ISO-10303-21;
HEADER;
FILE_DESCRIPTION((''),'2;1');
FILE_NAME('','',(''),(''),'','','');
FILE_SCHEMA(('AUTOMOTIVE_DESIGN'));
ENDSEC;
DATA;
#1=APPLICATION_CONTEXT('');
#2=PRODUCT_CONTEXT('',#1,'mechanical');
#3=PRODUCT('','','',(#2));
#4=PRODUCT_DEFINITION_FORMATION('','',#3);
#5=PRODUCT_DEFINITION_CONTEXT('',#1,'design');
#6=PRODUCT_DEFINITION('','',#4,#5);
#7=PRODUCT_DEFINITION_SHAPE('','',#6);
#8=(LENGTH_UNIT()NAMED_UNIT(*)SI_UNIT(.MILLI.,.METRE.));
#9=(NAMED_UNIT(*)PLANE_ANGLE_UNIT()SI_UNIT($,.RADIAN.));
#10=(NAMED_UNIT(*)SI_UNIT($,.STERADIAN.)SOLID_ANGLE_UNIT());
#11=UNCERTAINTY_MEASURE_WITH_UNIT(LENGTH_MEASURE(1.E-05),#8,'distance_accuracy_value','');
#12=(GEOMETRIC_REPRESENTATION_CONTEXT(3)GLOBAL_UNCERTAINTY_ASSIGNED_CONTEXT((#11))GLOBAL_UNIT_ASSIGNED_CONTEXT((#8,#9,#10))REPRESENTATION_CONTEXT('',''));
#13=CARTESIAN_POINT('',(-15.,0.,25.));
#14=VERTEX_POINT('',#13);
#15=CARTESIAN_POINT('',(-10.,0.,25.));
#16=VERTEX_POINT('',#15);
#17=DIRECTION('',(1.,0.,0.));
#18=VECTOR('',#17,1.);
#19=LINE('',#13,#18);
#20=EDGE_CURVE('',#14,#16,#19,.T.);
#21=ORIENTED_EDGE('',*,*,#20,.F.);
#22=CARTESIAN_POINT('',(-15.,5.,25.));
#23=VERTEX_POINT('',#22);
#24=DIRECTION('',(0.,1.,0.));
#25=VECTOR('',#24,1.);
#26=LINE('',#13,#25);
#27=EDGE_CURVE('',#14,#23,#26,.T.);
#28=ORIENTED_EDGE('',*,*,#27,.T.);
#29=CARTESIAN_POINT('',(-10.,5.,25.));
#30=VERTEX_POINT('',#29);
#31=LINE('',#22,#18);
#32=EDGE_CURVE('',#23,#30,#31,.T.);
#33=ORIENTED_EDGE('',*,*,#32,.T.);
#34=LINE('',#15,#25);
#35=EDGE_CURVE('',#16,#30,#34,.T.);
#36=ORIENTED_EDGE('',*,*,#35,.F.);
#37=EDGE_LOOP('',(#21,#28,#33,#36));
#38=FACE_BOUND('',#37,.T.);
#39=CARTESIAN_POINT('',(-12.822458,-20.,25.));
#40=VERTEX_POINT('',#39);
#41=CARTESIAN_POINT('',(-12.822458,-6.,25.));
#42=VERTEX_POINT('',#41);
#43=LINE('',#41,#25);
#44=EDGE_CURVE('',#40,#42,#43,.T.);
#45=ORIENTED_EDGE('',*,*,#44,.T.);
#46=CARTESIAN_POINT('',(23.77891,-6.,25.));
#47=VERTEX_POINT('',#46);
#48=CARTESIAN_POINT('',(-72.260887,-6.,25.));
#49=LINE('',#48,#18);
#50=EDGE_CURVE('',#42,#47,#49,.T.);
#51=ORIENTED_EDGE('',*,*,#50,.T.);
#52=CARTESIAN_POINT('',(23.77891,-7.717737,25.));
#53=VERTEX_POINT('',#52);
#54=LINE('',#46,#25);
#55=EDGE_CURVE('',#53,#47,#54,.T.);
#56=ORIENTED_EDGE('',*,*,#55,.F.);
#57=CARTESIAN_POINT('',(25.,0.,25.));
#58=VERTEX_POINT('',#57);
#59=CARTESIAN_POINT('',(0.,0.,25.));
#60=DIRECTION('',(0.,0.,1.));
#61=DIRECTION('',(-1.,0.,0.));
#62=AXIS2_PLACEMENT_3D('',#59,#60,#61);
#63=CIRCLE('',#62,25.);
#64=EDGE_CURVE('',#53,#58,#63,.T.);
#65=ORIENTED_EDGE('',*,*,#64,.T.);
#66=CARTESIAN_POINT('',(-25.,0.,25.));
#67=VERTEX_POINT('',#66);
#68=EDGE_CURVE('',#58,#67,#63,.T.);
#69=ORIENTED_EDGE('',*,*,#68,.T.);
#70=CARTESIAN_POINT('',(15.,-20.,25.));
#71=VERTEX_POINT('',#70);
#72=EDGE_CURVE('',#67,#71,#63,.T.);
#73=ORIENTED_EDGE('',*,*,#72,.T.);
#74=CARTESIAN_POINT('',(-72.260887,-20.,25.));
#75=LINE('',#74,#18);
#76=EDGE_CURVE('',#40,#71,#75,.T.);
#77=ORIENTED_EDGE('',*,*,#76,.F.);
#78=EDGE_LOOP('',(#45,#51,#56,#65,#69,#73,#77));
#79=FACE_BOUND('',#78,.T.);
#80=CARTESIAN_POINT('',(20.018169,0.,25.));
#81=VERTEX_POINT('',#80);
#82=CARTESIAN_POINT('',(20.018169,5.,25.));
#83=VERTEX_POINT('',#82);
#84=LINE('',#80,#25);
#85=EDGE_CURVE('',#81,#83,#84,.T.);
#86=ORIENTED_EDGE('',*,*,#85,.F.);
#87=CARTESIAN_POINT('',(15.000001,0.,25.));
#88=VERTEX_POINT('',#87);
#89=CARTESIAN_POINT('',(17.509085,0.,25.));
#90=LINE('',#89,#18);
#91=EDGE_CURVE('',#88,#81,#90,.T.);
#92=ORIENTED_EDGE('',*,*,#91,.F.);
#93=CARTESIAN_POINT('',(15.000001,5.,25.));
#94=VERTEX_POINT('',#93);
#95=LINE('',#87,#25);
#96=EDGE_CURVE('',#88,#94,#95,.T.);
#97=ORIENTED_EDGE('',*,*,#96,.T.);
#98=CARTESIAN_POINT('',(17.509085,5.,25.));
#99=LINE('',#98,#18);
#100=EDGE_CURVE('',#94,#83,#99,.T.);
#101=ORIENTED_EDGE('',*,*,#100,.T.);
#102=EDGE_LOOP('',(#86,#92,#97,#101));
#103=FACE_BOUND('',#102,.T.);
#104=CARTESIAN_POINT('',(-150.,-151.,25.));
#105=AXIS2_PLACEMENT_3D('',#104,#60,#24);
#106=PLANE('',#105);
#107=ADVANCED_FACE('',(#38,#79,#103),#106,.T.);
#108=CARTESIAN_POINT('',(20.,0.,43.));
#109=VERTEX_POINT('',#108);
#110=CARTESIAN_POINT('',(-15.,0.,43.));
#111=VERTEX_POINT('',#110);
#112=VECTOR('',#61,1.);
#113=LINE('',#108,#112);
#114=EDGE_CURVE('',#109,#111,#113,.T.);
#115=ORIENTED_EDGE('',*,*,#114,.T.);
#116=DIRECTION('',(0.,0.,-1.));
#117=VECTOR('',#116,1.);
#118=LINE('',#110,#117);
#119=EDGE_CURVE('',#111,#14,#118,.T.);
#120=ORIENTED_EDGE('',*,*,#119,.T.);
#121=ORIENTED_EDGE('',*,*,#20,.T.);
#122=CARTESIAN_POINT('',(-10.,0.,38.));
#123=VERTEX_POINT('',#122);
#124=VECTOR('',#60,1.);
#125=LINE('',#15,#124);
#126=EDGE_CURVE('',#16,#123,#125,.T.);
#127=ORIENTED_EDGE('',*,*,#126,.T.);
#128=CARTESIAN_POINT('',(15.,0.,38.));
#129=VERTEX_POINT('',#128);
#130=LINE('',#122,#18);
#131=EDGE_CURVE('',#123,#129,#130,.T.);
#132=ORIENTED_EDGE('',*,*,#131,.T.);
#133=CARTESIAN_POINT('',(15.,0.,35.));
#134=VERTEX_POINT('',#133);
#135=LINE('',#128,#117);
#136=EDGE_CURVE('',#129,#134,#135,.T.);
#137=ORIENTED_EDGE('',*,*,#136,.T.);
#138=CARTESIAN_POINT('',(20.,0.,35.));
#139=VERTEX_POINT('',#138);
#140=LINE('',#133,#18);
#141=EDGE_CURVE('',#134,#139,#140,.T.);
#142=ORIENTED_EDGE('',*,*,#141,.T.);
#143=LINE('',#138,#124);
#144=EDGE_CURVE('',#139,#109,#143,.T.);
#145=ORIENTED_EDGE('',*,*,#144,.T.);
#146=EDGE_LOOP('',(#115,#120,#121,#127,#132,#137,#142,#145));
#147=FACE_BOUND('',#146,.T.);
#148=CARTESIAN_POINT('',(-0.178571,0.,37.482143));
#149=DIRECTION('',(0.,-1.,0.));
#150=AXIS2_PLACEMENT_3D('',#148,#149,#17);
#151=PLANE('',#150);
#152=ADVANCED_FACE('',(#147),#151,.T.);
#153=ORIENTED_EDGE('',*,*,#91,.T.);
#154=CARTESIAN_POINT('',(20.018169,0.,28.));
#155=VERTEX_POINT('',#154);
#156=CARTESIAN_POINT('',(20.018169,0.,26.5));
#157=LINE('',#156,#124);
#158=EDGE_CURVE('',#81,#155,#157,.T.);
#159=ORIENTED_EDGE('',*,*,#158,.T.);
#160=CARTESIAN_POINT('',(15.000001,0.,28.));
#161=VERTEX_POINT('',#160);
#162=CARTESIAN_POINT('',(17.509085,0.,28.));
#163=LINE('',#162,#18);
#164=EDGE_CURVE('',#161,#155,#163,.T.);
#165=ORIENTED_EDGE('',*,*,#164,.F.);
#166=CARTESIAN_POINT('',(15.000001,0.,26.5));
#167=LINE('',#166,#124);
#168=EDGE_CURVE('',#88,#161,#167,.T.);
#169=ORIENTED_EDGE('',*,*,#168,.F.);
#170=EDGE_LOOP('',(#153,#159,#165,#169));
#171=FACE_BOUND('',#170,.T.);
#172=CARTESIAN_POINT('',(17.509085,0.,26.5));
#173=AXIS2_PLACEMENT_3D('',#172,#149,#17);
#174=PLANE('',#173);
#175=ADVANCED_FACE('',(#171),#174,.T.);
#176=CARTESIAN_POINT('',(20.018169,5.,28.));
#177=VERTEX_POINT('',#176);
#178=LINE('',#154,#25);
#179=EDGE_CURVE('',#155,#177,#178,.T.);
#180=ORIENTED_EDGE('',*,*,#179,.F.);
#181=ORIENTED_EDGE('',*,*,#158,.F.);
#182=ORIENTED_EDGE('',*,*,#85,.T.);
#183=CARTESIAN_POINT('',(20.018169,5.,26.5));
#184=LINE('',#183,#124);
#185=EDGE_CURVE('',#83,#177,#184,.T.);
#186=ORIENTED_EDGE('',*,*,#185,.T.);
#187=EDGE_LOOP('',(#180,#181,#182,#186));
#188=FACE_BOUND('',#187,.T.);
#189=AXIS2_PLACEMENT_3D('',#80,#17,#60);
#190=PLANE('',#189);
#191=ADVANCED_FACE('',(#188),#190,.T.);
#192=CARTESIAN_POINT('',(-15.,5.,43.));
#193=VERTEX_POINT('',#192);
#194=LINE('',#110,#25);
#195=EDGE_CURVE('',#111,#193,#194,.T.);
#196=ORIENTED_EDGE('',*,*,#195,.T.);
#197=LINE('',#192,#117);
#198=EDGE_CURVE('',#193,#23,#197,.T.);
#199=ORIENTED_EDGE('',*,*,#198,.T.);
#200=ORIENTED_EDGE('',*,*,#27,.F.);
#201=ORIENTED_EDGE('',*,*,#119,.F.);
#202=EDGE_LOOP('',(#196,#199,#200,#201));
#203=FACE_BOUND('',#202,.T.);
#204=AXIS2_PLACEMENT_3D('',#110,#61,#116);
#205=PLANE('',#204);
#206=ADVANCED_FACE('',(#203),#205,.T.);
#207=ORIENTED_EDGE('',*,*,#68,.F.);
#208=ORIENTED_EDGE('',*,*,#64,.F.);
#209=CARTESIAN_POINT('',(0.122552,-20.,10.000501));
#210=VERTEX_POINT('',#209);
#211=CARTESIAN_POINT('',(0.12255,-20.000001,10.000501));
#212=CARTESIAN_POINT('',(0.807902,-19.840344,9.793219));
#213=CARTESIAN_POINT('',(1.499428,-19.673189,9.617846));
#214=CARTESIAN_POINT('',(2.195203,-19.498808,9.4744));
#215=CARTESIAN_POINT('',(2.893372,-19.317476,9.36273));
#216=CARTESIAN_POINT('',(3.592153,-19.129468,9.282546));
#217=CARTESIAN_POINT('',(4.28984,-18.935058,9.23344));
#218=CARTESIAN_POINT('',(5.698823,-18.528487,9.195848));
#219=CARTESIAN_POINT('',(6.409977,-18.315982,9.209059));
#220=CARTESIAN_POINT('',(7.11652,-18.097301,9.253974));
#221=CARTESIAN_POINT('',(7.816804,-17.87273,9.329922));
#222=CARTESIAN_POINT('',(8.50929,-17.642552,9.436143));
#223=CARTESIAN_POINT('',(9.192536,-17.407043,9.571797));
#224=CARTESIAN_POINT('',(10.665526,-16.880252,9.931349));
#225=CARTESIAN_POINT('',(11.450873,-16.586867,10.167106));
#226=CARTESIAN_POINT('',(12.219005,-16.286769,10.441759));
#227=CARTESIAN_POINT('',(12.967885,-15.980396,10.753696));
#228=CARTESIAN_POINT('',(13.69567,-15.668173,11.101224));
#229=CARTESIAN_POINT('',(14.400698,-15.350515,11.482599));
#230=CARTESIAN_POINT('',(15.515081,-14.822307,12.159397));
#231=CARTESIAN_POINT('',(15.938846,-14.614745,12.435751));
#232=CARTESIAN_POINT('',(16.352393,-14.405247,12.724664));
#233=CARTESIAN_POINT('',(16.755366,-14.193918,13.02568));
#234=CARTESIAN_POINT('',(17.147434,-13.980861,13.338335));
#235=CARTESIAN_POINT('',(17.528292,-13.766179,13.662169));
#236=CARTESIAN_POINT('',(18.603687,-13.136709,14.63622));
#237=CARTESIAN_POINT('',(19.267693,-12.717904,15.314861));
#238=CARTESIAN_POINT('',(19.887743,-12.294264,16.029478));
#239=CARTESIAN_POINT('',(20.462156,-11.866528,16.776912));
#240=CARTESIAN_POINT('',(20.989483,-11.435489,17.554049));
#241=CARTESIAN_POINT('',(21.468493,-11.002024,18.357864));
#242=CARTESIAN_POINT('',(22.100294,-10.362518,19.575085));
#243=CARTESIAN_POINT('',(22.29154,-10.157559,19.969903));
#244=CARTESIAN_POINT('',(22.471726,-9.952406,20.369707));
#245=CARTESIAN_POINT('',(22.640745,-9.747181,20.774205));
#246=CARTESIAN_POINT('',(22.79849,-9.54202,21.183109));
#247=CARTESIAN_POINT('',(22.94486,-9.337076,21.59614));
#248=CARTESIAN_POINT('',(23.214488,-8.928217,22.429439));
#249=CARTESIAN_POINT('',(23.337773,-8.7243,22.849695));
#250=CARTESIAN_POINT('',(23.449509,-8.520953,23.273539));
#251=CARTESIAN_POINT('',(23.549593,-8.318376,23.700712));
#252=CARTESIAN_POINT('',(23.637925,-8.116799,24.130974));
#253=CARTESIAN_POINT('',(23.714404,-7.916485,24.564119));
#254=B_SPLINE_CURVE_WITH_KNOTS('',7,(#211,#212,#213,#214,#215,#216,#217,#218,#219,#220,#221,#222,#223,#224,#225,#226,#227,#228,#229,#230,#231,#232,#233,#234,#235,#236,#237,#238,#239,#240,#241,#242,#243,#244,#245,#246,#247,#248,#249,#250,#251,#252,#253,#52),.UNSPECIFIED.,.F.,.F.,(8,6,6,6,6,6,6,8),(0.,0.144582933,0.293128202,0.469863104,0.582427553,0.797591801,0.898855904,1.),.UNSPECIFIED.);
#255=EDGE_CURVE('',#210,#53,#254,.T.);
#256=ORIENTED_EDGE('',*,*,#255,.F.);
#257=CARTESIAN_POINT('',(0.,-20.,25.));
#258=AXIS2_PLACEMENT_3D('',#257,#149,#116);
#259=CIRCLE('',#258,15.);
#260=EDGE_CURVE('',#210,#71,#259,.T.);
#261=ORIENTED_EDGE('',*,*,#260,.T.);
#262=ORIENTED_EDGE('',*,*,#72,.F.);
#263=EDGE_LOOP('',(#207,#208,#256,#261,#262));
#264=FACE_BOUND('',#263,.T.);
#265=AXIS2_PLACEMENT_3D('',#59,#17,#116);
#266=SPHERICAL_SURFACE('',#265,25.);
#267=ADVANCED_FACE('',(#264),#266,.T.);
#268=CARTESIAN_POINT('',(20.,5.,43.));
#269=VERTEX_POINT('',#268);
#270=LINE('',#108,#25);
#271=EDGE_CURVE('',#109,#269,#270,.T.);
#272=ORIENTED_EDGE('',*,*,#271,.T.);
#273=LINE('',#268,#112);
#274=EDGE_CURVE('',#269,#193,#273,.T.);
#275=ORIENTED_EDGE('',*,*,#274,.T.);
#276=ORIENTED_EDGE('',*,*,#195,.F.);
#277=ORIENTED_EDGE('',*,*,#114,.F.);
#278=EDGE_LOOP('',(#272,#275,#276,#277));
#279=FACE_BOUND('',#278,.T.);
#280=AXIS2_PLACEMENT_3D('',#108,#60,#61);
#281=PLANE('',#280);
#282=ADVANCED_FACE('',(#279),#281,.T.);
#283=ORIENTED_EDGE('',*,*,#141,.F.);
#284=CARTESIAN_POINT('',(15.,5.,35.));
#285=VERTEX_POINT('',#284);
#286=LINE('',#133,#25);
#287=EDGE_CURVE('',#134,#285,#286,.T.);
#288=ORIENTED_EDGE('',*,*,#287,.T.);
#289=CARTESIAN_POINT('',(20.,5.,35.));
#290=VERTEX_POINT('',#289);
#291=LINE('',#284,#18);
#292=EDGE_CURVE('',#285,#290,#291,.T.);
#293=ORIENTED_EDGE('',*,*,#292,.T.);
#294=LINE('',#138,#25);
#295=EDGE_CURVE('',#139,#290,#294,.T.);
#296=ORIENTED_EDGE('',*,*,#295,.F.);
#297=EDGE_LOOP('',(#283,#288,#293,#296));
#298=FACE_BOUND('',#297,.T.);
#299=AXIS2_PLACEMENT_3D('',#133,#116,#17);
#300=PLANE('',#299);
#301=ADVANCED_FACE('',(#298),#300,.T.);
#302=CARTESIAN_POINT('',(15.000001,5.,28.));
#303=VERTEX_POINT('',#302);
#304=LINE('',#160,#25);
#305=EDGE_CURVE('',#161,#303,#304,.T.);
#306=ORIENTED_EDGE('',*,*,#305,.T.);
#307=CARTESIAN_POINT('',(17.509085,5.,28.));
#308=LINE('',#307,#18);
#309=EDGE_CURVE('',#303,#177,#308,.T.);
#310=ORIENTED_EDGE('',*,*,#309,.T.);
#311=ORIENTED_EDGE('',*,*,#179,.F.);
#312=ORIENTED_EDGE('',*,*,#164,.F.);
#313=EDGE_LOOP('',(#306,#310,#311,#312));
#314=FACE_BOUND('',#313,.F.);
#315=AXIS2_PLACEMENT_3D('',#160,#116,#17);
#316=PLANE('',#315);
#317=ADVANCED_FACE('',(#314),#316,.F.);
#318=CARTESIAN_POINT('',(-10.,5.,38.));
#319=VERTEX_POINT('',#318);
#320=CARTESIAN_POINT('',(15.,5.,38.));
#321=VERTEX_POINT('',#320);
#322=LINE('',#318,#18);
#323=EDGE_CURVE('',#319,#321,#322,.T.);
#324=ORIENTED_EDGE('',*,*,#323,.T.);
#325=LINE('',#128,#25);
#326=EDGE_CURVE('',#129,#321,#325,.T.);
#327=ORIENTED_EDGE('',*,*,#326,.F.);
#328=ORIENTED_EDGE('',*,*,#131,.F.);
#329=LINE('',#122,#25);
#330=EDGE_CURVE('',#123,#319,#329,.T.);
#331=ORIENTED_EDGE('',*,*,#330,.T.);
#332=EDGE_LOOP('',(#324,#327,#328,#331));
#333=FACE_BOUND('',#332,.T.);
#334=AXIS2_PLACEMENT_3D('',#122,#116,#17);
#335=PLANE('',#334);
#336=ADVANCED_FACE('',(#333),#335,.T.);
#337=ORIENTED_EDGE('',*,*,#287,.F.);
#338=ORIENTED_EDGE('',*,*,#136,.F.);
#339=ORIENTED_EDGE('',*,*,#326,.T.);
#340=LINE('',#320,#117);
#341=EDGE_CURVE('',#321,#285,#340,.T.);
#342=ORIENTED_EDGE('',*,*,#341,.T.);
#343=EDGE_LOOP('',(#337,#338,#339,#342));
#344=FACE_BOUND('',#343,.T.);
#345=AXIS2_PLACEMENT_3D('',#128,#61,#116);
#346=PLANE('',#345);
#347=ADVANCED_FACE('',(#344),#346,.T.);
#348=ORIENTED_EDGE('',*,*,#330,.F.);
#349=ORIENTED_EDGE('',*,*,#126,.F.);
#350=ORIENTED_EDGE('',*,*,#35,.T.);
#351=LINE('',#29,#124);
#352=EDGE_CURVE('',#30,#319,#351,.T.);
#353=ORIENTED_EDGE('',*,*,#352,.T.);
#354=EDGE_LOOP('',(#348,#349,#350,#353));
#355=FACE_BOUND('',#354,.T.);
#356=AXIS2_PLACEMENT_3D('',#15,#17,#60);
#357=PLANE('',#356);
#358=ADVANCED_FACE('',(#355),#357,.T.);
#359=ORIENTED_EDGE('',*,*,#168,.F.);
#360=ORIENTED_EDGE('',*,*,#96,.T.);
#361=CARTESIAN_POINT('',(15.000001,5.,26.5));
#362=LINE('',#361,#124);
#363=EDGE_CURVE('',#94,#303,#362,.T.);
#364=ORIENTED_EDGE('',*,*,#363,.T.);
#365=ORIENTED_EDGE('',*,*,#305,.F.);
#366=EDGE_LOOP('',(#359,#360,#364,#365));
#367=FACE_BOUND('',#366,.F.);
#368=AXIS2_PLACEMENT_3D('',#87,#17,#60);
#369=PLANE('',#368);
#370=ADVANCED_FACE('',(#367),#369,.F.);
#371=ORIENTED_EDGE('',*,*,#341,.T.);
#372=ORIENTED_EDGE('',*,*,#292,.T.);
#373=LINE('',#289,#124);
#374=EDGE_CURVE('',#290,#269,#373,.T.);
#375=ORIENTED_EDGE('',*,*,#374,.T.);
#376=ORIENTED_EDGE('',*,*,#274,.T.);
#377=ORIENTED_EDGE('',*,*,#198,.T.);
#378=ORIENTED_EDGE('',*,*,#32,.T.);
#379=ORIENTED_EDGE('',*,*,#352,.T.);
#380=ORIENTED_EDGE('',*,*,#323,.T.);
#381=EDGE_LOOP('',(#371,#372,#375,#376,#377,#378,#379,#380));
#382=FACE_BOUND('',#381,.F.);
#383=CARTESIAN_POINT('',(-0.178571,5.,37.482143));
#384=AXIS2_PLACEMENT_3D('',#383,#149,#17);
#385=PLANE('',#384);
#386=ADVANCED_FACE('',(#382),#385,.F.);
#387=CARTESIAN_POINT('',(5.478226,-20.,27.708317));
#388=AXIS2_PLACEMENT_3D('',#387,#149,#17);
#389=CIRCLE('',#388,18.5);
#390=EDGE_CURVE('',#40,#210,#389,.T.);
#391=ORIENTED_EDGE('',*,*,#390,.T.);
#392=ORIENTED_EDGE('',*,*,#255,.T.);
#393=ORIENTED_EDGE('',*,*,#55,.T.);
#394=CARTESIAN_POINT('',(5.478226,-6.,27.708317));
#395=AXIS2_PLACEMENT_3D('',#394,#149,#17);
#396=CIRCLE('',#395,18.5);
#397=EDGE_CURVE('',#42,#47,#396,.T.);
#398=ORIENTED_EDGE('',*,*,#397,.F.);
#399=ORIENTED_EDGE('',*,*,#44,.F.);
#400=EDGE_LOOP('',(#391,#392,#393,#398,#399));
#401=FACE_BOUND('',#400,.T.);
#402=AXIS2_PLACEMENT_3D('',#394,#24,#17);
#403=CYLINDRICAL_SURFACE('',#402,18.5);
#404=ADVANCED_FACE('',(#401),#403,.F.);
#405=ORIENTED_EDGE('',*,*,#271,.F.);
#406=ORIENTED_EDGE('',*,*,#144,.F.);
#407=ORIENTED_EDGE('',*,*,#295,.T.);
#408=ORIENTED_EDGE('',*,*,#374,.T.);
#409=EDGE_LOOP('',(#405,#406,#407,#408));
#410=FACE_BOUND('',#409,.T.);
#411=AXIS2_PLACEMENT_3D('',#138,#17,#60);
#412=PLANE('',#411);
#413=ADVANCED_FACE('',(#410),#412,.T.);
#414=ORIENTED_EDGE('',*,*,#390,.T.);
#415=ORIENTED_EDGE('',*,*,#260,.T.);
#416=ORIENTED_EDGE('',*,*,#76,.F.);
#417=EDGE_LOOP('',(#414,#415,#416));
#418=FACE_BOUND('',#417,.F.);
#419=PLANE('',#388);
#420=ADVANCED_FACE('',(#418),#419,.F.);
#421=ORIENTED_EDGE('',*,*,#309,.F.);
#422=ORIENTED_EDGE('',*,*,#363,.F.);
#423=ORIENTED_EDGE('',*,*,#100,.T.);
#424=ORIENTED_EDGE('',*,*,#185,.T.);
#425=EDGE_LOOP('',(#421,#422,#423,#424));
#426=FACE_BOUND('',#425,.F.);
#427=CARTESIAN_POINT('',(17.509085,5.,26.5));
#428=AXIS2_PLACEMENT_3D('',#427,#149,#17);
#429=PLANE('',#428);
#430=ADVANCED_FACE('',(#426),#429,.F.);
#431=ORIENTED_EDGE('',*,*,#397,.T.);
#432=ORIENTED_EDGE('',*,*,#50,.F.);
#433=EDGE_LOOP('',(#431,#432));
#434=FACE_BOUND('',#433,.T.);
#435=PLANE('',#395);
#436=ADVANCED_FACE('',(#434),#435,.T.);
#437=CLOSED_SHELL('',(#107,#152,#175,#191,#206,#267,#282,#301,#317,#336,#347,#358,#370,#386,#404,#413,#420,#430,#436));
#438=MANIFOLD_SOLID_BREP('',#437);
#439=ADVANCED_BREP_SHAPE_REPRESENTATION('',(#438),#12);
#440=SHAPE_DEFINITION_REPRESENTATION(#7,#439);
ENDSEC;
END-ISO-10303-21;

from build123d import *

# Parameters (mm, degrees)
SKETCH_R                   = 18.5
EXTRUDE001_DEPTH           = 14
EXTRUDE001_PLACEMENT_ANGLE = 90
SKETCH002_W                = 5.018169
SKETCH002_H                = 3
EXTRUDE002_DEPTH           = 5
BOX_W                      = 210
BOX_H                      = 320
BOX_DEPTH                  = 320
CUT001_PLACEMENT_ANGLE     = 90
EXTRUDE_DEPTH              = 5


with BuildPart() as hueco:
    # Sketch → Extrude001 (new body)
    with BuildSketch(Plane.XY):
        with Locations((53.478226, 36.958317)):
            Circle(SKETCH_R)
    extrude(amount=EXTRUDE001_DEPTH)


with BuildPart() as hueco_1:
    # Extrude001 placement: moved
    add(hueco.part.moved(Location((-48, -6, -9.25))).rotate(Axis((-48, -6, -9.25), (1, 0, 0)), EXTRUDE001_PLACEMENT_ANGLE))


with BuildPart() as extrude002:
    # Sketch002 → Extrude002 (new body)
    with BuildSketch(Plane.XZ):
        with Locations((27.509085, -11.5)):
            Rectangle(SKETCH002_W, SKETCH002_H)
    extrude(amount=-EXTRUDE002_DEPTH)


with BuildPart() as cubo:
    # Box → Box (new body)
    with BuildSketch(Plane(origin=(0, -151, -150), x_dir=(1, 0, 0), z_dir=(0, 0, 1))):
        with Locations((105, 160)):
            Rectangle(BOX_W, BOX_H)
    extrude(amount=BOX_DEPTH)


with BuildPart() as cut:
    # Sphere → Sphere (revolve)
    with BuildSketch(Plane.XZ):
        with BuildLine():
            ThreePointArc((0, -150), (150, 0), (0, 150))
            Line((0, 150), (0, -150))
        make_face()
    revolve(axis=Axis((0, 0, 0), (0, 0, 1)))

    # Cut: cut Cubo
    add(cubo.part, mode=Mode.SUBTRACT)


with BuildPart() as cut001:
    # Sphere001 → Sphere001 (revolve)
    with BuildSketch(Plane.XZ):
        with BuildLine():
            ThreePointArc((0, -25), (25, 0), (0, 25))
            Line((0, 25), (0, -25))
        make_face()
    revolve(axis=Axis((0, 0, 0), (0, 0, 1)))

    # Cut001: cut Cut
    add(cut.part, mode=Mode.SUBTRACT)


with BuildPart() as cut001_1:
    # Cut001 placement: moved
    add(cut001.part.moved(Location((10, 0, -13))).rotate(Axis((10, 0, -13), (0, 1, 0)), CUT001_PLACEMENT_ANGLE))


with BuildPart() as base:
    # Sketch001 → Extrude (new body)
    with BuildSketch(Plane.XZ):
        Polygon((0, 0), (25, 0), (25, -3), (30, -3), (30, 5), (-5, 5), (-5, -13), (0, -13), align=None)
    extrude(amount=-EXTRUDE_DEPTH)

    # Fusion: union Cut001
    add(cut001_1.part)

    # Fusion001: union Extrude002
    add(extrude002.part)


with BuildPart() as base_1:
    # Fusion001 placement: moved
    add(base.part.moved(Location((-10, 0, 38))))

    # Cut002: cut hueco
    add(hueco_1.part, mode=Mode.SUBTRACT)


solid = base_1.part
